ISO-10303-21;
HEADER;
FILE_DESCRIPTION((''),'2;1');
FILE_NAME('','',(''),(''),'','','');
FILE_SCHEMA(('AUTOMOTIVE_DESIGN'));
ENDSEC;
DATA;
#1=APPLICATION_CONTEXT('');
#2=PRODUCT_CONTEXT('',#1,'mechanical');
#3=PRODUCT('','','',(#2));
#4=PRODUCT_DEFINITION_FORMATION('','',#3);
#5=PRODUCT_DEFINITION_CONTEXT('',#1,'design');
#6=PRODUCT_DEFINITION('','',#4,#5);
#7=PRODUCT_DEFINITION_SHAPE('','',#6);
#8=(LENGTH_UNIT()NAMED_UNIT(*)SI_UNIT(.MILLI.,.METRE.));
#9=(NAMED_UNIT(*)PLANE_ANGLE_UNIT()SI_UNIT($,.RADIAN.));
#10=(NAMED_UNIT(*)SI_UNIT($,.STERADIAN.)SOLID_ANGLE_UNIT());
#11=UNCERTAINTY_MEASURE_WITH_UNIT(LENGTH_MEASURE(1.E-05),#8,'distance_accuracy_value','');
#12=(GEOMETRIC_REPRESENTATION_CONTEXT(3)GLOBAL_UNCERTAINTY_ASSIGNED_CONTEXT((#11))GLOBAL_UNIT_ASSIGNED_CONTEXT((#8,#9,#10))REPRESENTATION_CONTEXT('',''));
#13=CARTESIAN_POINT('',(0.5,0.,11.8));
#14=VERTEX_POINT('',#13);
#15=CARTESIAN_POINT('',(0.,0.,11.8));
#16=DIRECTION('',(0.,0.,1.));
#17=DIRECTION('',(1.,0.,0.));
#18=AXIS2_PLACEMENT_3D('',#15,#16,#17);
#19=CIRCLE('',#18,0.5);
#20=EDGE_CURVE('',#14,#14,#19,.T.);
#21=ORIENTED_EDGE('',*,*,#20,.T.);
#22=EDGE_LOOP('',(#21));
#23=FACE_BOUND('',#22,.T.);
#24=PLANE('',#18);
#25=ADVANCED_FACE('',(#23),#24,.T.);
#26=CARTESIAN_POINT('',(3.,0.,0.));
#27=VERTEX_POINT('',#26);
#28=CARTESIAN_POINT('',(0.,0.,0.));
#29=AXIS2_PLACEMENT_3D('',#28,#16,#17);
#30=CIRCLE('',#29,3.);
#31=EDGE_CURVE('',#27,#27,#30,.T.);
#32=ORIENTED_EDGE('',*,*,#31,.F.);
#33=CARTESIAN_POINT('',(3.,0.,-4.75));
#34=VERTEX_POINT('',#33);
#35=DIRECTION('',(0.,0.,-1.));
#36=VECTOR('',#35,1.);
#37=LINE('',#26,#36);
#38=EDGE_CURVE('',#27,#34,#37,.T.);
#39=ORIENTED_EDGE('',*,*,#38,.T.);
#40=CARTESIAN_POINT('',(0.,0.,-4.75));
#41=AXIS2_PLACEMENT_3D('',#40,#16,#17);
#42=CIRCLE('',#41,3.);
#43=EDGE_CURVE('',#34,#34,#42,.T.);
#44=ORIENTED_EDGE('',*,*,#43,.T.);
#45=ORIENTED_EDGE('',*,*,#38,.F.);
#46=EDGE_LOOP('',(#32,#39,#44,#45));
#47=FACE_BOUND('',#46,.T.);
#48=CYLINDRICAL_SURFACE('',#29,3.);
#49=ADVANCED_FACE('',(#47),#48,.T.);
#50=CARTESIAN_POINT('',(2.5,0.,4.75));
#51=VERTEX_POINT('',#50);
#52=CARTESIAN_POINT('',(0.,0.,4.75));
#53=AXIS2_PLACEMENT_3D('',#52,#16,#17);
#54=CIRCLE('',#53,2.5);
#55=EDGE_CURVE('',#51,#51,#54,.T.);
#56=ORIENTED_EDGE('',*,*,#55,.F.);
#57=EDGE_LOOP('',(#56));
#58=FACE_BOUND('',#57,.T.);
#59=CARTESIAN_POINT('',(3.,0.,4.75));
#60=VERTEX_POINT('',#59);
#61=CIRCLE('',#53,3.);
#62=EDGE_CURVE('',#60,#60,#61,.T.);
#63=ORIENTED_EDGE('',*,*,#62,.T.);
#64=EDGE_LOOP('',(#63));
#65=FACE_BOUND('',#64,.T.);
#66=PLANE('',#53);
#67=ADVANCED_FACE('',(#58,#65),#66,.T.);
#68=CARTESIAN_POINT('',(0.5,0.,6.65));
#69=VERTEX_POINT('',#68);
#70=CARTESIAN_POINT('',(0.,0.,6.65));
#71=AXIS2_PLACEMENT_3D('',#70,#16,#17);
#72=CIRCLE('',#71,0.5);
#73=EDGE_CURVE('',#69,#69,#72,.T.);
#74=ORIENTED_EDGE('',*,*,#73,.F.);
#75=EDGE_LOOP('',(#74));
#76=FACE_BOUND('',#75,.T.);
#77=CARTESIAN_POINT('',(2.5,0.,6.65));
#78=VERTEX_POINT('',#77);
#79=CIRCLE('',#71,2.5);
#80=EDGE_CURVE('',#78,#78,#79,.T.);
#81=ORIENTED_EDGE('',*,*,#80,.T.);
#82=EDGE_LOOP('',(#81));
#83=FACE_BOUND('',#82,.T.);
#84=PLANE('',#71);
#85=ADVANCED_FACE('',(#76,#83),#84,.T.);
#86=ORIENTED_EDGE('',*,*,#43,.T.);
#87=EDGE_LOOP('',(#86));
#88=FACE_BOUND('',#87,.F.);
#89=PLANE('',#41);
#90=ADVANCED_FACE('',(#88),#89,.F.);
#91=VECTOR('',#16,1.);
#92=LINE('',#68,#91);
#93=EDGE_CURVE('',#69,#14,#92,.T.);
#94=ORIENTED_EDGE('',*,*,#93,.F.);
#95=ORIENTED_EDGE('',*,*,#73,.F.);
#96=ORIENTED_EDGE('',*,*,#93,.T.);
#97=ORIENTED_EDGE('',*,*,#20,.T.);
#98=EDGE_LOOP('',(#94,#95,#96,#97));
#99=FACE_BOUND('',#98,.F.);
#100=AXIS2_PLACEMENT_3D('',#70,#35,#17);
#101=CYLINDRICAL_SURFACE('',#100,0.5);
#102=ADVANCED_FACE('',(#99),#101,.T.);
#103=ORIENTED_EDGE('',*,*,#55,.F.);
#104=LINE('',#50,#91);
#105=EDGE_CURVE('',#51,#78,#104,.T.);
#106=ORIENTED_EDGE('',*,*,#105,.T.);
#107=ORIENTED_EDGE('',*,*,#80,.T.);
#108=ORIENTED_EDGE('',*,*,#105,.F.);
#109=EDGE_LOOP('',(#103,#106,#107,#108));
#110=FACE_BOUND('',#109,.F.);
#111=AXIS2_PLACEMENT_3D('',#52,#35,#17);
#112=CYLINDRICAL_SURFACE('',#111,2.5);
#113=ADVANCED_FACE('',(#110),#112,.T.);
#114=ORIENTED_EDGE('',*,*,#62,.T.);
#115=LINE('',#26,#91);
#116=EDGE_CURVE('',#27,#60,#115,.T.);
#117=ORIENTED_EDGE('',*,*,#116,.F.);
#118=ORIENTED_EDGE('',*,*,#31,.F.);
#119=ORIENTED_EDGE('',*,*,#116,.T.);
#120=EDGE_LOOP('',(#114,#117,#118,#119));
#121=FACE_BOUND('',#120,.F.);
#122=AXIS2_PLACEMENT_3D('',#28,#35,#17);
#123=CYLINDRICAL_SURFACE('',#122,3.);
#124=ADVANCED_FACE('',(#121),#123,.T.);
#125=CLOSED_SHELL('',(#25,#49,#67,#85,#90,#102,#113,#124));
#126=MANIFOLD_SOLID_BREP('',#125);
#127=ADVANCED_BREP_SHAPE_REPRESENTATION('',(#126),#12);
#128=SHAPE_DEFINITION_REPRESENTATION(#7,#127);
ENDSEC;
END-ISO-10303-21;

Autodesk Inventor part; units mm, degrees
ref_plane "YZ Plane" through (0, 0, 0) normal (1, 0, 0) x (0, 1, 0)
ref_plane "XZ Plane" through (0, 0, 0) normal (0, 1, 0) x (-1, 0, 0)
ref_plane "XY Plane" through (0, 0, 0) normal (0, 0, 1) x (1, 0, 0)
sketch "Sketch1" plane through (0, 0, 0) normal (0, 0, 1) x (1, 0, 0)
  circle A0 centre (0, 0) radius 3
  dimension "d0" = 6
extrude "Extrusion1" add sketch "Sketch1" along normal mid plane 9.5
sketch "Sketch2" plane through (0, 0, 4.75) normal (0, 0, 1) x (1, 0, 0)
  circle A0 centre (0, 0) radius 2.5
  dimension "d3" = 5
extrude "Extrusion2" add sketch "Sketch2" along normal blind 1.9
sketch "Sketch3" plane through (0, 0, 6.65) normal (0, 0, 1) x (1, 0, 0)
  circle A0 centre (0, 0) radius 0.5
  dimension "d6" = 1
extrude "Extrusion3" add sketch "Sketch3" along normal blind 5.15
properties part number "FDM0620 Stepper"
